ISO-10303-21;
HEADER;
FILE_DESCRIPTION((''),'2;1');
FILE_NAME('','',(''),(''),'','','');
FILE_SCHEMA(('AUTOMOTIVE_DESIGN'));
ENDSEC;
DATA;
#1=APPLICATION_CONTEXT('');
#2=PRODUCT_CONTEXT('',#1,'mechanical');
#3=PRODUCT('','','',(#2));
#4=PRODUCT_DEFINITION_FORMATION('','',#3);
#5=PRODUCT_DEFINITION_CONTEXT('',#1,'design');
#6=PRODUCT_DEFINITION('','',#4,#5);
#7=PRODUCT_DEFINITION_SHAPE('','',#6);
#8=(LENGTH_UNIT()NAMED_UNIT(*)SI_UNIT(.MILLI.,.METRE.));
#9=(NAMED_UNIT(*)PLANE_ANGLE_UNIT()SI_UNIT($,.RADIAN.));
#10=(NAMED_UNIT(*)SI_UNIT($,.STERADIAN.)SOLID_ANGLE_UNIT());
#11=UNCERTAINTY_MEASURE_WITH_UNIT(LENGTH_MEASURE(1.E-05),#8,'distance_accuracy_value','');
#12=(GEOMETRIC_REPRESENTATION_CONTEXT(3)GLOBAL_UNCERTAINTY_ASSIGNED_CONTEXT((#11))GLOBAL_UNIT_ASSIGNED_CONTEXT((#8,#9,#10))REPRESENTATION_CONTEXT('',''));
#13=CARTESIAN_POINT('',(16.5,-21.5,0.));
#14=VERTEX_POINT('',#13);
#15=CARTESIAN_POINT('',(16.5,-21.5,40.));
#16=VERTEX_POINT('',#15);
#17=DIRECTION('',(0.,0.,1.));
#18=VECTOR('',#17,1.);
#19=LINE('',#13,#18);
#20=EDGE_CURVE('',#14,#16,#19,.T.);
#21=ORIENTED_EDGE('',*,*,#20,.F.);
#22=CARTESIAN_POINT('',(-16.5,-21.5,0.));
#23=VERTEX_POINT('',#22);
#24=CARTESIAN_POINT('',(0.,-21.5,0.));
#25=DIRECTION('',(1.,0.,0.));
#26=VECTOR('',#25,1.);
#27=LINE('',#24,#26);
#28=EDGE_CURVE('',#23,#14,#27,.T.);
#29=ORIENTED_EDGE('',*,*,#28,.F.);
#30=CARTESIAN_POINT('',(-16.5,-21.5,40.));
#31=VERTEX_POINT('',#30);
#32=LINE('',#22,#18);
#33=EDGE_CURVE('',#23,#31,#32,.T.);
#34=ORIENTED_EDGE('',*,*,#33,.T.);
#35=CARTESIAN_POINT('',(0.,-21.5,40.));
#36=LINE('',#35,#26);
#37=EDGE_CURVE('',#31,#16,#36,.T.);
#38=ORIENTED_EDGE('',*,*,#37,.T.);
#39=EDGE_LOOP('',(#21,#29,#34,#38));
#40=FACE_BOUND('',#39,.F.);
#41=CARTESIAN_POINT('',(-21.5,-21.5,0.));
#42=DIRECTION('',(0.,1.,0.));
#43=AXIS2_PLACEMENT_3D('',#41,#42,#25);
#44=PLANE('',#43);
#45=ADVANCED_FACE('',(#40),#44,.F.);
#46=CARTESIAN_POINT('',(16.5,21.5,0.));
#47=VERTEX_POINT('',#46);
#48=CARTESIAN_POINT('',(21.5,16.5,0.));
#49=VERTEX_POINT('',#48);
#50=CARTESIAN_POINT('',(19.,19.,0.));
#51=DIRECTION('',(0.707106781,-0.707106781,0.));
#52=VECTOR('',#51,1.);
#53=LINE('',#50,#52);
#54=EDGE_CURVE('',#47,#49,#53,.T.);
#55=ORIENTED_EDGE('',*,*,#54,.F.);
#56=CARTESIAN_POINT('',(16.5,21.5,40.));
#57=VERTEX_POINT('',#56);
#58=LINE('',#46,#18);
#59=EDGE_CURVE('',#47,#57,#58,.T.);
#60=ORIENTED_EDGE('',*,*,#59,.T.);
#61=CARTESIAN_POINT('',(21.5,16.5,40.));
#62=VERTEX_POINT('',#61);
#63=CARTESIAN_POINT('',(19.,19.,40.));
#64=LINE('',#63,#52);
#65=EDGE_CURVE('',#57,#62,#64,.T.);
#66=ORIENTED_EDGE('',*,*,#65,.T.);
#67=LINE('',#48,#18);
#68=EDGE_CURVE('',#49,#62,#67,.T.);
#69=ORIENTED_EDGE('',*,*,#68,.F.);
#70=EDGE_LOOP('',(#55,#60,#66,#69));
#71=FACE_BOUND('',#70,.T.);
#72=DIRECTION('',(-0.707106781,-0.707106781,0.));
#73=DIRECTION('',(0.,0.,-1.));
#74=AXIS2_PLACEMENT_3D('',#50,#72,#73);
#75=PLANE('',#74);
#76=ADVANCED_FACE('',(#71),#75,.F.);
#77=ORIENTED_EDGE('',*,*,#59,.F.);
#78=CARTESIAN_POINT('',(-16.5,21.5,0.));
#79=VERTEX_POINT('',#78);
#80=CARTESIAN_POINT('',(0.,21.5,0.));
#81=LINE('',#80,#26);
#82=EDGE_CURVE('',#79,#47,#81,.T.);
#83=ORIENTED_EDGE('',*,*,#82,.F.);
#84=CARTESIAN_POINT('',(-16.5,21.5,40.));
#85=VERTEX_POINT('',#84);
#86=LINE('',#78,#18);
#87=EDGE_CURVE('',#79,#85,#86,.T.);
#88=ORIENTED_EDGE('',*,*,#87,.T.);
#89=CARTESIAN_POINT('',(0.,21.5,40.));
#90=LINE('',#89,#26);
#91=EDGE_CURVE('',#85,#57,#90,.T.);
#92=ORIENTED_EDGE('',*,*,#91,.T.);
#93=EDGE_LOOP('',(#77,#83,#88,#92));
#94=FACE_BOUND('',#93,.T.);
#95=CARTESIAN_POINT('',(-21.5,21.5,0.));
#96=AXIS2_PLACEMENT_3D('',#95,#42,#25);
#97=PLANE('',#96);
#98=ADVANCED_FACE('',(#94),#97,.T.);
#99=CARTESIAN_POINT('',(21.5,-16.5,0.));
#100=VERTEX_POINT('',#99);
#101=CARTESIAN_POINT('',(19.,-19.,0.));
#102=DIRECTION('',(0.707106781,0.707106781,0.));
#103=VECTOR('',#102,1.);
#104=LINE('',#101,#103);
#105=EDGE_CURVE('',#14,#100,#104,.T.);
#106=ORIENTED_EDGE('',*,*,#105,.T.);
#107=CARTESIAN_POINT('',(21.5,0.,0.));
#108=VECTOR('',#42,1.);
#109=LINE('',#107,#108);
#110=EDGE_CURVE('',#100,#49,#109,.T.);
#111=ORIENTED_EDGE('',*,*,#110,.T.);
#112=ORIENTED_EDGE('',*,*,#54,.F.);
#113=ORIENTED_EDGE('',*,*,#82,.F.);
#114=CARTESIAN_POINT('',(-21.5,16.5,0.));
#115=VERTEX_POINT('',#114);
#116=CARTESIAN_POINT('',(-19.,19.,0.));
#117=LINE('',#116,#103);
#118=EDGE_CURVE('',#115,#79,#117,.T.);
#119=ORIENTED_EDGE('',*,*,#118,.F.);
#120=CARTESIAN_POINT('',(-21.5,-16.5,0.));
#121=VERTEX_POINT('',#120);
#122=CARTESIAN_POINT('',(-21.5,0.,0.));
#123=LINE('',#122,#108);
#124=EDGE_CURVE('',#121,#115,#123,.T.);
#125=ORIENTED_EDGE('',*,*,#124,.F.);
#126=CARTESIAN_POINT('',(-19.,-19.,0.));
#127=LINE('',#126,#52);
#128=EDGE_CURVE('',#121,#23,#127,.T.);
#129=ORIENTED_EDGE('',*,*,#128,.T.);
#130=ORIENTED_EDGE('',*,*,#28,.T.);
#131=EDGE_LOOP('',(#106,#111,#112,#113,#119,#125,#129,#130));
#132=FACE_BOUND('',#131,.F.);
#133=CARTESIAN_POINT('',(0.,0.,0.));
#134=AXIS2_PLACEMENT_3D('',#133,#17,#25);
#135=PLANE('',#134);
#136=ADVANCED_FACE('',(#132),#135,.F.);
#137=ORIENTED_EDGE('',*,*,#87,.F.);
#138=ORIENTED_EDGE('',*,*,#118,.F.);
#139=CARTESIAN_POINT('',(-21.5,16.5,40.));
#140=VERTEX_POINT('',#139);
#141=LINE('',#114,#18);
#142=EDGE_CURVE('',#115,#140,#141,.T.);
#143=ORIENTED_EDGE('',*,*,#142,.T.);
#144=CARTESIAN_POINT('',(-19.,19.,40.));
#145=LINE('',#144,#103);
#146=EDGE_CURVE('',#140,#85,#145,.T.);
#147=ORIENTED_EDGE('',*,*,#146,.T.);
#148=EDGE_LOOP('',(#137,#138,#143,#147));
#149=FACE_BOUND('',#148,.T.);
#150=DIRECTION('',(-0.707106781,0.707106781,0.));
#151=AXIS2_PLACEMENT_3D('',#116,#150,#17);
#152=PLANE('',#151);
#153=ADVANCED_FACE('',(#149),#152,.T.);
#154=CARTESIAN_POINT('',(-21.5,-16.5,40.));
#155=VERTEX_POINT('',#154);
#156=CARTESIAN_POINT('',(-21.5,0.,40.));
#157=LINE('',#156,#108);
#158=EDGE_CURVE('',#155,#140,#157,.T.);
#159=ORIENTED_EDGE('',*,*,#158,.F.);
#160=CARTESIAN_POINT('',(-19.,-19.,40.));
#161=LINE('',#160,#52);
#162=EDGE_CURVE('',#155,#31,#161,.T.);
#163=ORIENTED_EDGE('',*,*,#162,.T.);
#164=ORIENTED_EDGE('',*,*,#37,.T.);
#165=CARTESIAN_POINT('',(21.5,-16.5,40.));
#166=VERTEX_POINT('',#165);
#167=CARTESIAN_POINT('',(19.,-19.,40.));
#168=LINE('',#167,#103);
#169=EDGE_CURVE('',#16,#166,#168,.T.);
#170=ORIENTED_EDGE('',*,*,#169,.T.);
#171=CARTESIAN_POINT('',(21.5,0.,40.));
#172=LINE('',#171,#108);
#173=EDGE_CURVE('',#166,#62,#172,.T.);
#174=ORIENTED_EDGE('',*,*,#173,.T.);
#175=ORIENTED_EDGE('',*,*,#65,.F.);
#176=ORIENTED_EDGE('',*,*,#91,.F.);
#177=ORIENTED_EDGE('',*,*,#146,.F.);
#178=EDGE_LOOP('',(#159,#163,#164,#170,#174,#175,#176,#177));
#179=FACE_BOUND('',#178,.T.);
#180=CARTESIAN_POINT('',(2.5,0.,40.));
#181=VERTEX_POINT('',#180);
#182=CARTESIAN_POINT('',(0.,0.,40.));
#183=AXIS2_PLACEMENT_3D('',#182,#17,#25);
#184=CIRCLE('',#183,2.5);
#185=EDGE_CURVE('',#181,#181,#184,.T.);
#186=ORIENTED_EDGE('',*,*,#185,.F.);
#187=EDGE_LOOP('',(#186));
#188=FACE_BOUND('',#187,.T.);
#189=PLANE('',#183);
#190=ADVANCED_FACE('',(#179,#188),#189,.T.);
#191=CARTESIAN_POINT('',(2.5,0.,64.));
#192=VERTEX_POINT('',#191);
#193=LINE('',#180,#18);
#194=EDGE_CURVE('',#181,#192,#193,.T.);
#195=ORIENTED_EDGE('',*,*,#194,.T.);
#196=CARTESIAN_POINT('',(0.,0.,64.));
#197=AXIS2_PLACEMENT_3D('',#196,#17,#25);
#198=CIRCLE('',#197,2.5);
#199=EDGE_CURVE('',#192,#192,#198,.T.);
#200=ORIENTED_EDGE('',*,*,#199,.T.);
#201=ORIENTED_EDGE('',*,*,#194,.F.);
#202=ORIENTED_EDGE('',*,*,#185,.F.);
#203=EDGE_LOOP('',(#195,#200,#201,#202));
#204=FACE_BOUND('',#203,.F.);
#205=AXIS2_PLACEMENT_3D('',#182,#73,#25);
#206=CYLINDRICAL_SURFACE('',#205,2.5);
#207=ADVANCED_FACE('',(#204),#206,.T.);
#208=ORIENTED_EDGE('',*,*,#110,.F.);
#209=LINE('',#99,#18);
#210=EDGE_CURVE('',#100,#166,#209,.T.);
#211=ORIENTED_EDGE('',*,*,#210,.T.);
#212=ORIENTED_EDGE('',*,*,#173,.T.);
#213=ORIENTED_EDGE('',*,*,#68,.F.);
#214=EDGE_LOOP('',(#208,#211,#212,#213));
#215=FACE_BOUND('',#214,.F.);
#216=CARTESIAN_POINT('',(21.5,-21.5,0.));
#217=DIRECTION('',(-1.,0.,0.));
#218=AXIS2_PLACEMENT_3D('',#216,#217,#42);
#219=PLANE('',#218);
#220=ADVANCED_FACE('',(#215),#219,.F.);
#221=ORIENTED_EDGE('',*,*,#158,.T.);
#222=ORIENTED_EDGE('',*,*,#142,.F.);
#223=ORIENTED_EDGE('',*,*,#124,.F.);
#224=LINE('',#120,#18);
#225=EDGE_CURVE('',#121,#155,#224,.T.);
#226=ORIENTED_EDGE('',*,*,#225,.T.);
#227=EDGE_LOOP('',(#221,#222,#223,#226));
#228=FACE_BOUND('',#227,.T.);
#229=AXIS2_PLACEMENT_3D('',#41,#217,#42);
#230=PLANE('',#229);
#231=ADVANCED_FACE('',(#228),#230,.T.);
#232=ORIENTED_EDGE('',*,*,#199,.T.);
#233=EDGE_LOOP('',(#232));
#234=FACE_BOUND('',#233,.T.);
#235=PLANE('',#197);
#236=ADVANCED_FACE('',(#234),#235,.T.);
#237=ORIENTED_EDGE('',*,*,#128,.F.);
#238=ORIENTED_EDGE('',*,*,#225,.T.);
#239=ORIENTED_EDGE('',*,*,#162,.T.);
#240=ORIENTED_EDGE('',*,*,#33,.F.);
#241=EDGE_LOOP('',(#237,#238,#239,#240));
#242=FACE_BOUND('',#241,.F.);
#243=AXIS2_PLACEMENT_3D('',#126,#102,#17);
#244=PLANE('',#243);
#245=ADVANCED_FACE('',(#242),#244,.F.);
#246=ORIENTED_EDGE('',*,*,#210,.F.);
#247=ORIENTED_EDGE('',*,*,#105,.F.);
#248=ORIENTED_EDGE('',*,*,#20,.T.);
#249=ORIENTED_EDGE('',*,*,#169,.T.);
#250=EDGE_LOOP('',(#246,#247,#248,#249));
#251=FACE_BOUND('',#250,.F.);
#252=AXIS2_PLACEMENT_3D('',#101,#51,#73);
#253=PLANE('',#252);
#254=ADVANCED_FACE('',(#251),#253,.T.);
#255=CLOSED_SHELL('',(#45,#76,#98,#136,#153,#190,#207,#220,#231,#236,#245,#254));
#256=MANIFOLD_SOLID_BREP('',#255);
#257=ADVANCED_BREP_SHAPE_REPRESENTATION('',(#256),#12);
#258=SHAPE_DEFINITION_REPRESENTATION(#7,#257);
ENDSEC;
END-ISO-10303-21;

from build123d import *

# Parameters (mm, degrees)
F0_W     = 43
F0_H     = 43
F1_DEPTH = 40
F2_R     = 2.5
F3_DEPTH = 24
F4_SIZE  = 5


with BuildPart() as f1:
    # F0 (on Top) → F1 (new body)
    with BuildSketch(Plane.XY):
        Rectangle(F0_W, F0_H)
    extrude(amount=F1_DEPTH)

    # F2 (on face) → F3 (join)
    with BuildSketch(Plane.XY.offset(40)):
        Circle(F2_R)
    extrude(amount=F3_DEPTH)

    # F4
    f4_edges = [f1.edges().sort_by_distance(p)[0] for p in [
        (-21.5, -21.5, 20),
        (21.5, -21.5, 20),
        (21.5, 21.5, 20),
        (-21.5, 21.5, 20),
    ]]
    chamfer(f4_edges, length=F4_SIZE)


solid = f1.part
